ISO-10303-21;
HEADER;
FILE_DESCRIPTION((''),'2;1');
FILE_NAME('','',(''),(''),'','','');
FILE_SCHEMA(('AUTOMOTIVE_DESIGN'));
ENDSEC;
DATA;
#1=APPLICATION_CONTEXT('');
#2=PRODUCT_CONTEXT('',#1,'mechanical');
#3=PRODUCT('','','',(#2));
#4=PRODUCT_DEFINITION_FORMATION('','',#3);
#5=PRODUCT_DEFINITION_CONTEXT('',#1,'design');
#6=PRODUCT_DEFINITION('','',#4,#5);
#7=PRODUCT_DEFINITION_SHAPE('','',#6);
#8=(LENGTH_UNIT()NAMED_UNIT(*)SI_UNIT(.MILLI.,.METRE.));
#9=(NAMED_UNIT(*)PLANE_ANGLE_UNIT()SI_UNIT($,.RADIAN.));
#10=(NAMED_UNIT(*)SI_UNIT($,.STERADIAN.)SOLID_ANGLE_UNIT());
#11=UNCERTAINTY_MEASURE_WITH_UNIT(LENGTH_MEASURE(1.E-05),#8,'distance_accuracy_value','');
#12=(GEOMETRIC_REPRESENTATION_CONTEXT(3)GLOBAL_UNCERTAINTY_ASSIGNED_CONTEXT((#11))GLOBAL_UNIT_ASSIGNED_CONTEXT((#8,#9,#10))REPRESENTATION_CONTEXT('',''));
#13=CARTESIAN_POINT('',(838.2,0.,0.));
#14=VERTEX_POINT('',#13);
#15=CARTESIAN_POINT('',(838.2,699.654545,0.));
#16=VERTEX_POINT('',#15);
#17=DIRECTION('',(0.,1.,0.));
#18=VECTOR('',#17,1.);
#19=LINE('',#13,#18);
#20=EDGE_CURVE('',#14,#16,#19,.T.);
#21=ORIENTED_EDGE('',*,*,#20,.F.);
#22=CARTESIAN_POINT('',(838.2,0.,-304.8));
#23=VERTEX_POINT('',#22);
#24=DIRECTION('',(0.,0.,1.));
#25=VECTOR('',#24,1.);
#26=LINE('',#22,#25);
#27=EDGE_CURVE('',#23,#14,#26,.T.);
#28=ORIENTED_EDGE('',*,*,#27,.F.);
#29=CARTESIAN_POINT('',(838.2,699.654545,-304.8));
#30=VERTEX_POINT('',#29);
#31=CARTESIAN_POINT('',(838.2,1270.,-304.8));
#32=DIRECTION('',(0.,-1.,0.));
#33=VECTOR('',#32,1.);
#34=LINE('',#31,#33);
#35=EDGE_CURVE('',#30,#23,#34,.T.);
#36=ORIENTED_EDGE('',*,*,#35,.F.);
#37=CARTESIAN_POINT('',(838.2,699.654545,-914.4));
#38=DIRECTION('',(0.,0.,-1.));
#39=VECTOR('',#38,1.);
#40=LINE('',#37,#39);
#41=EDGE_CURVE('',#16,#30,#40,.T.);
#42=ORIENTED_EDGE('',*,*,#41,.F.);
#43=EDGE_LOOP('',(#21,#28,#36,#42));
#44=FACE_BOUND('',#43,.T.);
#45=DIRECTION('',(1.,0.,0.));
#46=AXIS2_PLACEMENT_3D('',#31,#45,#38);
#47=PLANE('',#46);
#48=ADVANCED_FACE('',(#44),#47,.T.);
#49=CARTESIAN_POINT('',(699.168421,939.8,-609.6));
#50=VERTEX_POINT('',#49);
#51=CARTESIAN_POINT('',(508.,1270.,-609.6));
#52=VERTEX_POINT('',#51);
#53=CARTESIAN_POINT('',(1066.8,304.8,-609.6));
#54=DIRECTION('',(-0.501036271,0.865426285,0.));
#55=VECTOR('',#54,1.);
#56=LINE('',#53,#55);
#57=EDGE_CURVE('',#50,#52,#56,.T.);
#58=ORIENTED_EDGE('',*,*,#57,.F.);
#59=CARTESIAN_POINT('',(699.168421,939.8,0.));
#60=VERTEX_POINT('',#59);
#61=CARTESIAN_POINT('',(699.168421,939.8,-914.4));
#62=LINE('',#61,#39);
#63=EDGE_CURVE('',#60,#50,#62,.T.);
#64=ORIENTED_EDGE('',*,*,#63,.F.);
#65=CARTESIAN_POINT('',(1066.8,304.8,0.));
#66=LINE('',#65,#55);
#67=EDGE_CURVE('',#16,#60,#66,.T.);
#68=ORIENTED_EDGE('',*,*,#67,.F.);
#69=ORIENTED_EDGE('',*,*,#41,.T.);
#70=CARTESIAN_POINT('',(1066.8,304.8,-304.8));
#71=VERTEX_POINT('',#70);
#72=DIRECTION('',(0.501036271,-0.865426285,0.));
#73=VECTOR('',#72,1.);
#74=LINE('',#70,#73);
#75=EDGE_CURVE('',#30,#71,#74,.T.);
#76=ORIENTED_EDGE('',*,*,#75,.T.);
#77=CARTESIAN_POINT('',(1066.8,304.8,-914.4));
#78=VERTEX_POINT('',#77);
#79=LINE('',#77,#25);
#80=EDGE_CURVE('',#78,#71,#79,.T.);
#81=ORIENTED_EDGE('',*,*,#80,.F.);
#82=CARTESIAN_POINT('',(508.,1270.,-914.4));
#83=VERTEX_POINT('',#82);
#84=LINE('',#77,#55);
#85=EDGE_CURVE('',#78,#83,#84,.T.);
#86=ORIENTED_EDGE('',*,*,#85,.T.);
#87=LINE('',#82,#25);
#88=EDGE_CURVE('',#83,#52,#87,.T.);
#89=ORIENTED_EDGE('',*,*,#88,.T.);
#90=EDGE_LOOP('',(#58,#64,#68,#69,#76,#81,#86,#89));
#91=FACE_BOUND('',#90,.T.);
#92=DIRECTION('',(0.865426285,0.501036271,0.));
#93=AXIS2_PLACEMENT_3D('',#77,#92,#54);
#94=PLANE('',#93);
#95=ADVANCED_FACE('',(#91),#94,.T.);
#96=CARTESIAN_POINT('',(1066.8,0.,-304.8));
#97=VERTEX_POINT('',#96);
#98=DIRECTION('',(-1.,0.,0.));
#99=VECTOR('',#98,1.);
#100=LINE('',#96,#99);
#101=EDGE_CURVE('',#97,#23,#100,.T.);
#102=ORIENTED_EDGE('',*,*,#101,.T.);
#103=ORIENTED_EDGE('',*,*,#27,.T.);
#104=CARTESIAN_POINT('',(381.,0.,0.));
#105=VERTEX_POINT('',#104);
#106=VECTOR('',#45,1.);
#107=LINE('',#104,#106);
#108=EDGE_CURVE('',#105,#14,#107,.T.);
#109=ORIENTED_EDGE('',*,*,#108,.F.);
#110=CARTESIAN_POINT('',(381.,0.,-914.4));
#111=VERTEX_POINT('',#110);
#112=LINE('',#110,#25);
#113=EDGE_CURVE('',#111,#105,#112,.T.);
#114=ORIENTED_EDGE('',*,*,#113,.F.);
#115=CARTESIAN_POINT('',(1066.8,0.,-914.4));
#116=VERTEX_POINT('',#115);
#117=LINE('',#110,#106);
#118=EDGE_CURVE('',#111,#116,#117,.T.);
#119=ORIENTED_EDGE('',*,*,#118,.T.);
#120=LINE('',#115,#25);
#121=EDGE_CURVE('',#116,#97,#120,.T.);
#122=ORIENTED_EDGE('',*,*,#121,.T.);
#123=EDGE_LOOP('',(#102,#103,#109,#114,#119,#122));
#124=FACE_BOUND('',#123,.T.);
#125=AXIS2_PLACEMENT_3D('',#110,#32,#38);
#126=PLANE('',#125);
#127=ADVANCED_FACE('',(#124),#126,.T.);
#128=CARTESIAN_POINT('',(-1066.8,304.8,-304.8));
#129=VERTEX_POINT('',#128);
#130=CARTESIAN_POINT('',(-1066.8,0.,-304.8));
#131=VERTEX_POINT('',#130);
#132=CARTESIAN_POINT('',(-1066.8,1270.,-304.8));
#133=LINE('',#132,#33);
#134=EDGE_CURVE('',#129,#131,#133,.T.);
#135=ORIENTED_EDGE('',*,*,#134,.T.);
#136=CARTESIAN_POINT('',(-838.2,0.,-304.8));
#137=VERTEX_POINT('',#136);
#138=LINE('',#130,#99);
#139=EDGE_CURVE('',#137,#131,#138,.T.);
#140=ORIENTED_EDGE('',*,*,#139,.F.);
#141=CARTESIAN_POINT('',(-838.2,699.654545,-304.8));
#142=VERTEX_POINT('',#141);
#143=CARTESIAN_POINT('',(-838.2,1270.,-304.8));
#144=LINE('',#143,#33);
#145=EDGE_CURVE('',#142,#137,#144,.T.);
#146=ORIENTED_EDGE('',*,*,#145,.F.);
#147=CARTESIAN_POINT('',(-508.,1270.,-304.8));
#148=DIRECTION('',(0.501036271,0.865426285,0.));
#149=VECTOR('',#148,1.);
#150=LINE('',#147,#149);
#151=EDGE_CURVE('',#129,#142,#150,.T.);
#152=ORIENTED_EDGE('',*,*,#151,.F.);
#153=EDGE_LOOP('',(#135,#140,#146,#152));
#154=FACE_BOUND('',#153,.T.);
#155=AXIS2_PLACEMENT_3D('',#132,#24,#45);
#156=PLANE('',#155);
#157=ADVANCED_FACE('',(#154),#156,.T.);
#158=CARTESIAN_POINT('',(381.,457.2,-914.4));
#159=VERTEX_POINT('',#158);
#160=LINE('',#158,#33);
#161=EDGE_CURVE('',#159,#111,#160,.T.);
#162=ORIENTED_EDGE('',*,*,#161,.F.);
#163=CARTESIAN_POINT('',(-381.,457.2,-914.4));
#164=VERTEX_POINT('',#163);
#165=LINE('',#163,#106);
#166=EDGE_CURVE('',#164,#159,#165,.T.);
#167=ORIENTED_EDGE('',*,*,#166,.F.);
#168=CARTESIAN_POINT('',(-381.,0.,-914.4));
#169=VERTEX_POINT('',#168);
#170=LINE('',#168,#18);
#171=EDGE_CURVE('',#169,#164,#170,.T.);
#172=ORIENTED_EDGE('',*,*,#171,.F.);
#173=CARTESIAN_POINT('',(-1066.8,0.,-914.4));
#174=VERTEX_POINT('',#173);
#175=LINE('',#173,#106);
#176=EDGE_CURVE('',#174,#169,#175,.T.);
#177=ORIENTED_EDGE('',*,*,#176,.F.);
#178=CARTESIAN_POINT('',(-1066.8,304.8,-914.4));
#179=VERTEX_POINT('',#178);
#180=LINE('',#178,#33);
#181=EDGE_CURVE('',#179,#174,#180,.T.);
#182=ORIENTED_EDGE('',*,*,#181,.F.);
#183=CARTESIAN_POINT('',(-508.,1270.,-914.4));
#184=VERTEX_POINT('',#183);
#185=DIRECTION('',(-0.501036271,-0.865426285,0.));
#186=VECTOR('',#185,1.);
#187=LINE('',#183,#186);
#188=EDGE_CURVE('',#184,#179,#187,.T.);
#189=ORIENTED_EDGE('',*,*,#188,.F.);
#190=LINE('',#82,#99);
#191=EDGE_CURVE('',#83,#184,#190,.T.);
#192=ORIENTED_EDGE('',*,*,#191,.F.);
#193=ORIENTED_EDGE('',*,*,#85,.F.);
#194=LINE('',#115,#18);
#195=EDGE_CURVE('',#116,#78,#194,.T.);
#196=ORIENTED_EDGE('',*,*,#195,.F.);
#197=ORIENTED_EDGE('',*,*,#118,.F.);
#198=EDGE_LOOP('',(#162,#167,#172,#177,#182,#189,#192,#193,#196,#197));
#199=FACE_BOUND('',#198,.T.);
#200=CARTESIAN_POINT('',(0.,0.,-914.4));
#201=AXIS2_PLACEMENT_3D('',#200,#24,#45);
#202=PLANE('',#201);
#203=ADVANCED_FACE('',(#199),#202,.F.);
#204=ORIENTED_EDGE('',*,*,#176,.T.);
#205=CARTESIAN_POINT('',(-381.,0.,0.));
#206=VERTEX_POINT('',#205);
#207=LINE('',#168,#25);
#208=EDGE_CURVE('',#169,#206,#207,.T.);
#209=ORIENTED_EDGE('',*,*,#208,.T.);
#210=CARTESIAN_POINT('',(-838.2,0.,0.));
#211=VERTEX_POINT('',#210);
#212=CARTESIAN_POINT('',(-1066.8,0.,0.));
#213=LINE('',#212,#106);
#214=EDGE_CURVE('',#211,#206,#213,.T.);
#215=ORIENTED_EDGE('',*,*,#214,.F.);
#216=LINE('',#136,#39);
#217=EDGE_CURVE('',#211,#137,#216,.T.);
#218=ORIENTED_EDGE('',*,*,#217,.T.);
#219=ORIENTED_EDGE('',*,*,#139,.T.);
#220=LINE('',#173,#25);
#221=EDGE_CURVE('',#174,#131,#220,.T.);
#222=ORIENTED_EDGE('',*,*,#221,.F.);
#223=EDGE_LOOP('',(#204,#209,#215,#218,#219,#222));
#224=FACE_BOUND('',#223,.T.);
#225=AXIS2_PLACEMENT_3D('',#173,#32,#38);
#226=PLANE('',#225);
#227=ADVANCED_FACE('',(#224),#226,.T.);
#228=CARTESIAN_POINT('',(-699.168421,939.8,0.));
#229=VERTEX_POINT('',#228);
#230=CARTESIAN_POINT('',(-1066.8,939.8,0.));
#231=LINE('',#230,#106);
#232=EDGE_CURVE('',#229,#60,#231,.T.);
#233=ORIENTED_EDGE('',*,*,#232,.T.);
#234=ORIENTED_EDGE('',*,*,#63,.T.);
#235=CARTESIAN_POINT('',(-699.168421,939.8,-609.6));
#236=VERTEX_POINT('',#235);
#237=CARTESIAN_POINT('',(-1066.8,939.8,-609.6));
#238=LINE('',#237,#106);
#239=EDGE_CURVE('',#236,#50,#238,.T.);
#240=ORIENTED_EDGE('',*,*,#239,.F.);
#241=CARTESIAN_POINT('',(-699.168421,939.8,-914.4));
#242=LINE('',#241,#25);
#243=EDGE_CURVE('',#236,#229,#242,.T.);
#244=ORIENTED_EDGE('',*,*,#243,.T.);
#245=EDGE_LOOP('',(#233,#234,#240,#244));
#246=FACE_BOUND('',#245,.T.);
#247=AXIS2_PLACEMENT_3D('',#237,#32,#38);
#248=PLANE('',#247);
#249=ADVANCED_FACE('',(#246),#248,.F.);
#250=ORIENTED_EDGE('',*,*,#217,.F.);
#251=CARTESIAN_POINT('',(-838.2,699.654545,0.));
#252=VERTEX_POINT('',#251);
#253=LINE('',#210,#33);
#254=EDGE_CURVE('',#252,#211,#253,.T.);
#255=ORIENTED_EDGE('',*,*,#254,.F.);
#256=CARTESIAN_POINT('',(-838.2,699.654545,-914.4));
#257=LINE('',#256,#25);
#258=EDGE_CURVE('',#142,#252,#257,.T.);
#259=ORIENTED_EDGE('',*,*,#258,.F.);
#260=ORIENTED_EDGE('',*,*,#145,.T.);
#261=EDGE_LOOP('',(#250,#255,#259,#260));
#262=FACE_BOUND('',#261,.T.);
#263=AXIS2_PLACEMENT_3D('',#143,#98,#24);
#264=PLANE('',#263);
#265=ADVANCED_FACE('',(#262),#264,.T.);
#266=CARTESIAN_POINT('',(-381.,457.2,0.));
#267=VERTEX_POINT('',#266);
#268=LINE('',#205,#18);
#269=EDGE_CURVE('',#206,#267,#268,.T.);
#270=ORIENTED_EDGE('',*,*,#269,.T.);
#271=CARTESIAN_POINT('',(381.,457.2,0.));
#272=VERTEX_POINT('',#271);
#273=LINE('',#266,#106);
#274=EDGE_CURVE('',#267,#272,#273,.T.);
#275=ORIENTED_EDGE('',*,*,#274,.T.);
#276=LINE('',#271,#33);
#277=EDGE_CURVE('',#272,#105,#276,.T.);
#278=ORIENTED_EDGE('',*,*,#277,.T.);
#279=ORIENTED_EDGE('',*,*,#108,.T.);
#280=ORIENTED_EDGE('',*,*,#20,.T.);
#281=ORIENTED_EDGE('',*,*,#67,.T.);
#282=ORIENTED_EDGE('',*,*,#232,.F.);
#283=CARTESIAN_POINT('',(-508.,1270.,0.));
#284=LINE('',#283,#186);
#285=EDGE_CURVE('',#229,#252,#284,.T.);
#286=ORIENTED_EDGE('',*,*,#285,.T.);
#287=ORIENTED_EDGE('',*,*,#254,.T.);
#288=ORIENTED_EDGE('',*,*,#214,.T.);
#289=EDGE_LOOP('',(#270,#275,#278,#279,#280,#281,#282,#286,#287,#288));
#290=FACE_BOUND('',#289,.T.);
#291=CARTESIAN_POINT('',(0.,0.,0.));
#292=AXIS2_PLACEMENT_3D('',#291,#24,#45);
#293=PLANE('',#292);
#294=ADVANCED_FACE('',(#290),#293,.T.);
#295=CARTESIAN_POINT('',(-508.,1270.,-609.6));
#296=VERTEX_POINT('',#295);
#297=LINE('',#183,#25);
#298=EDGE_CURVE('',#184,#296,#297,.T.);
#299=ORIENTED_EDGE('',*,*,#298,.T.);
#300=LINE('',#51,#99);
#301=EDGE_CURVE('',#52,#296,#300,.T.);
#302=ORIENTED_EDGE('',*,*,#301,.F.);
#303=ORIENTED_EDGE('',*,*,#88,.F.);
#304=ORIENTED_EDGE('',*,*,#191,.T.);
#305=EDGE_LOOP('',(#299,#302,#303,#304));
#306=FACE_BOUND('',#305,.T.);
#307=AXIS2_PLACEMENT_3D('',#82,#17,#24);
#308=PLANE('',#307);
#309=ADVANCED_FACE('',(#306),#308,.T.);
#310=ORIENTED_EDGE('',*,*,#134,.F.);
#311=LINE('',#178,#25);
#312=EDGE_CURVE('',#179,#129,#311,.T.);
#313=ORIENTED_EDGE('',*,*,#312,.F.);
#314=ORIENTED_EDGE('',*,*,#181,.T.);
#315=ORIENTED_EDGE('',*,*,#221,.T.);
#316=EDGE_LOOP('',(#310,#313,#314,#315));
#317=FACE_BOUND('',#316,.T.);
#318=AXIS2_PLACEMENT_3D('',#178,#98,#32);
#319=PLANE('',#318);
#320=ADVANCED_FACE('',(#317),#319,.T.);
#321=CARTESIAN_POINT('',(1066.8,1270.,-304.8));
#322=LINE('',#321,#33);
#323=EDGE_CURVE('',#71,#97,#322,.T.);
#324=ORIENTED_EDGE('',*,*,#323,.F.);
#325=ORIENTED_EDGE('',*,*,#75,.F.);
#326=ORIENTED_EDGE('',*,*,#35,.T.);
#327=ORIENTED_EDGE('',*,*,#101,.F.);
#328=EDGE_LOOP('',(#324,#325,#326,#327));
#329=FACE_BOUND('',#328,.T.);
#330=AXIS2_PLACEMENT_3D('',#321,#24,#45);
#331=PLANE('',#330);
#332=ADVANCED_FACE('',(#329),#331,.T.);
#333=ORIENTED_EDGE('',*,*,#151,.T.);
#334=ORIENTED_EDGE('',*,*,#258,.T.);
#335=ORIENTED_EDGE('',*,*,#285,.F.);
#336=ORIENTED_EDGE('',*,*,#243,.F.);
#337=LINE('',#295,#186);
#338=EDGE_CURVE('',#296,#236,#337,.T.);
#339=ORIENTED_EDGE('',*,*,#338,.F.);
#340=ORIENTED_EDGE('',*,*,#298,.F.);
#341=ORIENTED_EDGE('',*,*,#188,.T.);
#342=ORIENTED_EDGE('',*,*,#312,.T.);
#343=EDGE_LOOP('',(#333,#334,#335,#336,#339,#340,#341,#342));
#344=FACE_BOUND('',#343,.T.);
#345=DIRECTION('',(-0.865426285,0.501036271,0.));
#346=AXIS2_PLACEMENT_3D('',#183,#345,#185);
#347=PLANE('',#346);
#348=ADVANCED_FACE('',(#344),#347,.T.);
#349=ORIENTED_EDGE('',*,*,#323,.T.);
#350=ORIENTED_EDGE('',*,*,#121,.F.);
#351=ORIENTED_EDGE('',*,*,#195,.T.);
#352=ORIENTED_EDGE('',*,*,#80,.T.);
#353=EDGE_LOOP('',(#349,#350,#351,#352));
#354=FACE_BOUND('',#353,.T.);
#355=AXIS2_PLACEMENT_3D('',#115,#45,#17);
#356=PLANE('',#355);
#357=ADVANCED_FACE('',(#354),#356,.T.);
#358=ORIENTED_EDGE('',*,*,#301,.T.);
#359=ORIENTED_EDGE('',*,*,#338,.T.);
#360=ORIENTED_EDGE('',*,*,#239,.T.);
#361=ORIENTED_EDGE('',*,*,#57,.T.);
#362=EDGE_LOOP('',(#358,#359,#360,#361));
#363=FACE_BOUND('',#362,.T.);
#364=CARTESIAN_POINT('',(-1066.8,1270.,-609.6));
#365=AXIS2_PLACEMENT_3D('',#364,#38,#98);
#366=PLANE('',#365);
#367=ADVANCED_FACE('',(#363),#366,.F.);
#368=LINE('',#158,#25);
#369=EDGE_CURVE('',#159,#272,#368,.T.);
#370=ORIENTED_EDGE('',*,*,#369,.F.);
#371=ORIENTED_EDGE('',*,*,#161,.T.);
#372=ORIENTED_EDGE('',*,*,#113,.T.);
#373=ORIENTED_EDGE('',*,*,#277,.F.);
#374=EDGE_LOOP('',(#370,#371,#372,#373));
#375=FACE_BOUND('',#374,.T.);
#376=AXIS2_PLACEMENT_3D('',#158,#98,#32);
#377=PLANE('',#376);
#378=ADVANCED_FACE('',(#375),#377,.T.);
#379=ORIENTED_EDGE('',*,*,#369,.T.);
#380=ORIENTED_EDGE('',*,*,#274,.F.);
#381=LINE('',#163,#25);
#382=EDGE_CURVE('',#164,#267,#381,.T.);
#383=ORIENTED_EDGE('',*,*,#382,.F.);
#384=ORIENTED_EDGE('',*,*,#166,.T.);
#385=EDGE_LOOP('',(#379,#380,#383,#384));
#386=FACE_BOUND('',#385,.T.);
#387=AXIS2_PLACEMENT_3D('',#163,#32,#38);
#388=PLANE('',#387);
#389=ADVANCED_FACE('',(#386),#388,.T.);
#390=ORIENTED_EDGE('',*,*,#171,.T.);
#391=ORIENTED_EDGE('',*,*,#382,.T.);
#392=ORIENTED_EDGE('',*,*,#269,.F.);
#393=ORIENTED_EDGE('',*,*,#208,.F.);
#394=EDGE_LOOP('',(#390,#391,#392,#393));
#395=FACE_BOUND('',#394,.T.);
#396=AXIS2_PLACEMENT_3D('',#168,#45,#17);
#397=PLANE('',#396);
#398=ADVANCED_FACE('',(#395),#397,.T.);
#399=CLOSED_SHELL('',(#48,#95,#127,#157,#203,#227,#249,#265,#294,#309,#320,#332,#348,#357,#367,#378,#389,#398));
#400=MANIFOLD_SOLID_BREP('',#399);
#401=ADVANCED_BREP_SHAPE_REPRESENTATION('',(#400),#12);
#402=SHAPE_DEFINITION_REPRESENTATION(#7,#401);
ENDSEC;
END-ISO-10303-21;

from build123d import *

# Parameters (mm, degrees)
BOSS_EXTRUDE1_DEPTH     = 914.4
SKETCH2_W               = 228.6
SKETCH2_H               = 304.8
CUT_EXTRUDE1_DEPTH      = 1894.961351242
CUT_EXTRUDE2_DEPTH      = 1894.961351242
CUT_EXTRUDE2_DEPTH_BACK = 1894.961351242
SKETCH3_W               = 609.6
SKETCH3_H               = 330.2


with BuildPart() as part:
    # Sketch1 → Boss-Extrude1 (new body)
    with BuildSketch(Plane.XY):
        Polygon((-381, 0), (-381, 457.2), (381, 457.2), (381, 0), (1066.8, 0), (1066.8, 304.8), (508, 1270), (-508, 1270), (-1066.8, 304.8), (-1066.8, 0), align=None)
    extrude(amount=-BOSS_EXTRUDE1_DEPTH)

    # Sketch2 → Cut-Extrude1 (cut, through all)
    with BuildSketch(Plane(origin=(0, 0, 0), x_dir=(1, 0, 0), z_dir=(0, 1, 0))):
        with Locations((-952.5, 152.4)):
            Rectangle(SKETCH2_W, SKETCH2_H)
        with Locations((952.5, 152.4)):
            Rectangle(SKETCH2_W, SKETCH2_H)
    extrude(amount=CUT_EXTRUDE1_DEPTH, mode=Mode.SUBTRACT)

    # Sketch3 → Cut-Extrude2 (cut, two sides: drawn at the far end of the back side and taken through both)
    with BuildSketch(Plane(origin=(0, 0, 0), x_dir=(0, 0, -1), z_dir=(1, 0, 0)).offset(-CUT_EXTRUDE2_DEPTH_BACK)):
        with Locations((304.8, 1104.9)):
            Rectangle(SKETCH3_W, SKETCH3_H)
    extrude(amount=CUT_EXTRUDE2_DEPTH + CUT_EXTRUDE2_DEPTH_BACK, mode=Mode.SUBTRACT)


solid = part.part
